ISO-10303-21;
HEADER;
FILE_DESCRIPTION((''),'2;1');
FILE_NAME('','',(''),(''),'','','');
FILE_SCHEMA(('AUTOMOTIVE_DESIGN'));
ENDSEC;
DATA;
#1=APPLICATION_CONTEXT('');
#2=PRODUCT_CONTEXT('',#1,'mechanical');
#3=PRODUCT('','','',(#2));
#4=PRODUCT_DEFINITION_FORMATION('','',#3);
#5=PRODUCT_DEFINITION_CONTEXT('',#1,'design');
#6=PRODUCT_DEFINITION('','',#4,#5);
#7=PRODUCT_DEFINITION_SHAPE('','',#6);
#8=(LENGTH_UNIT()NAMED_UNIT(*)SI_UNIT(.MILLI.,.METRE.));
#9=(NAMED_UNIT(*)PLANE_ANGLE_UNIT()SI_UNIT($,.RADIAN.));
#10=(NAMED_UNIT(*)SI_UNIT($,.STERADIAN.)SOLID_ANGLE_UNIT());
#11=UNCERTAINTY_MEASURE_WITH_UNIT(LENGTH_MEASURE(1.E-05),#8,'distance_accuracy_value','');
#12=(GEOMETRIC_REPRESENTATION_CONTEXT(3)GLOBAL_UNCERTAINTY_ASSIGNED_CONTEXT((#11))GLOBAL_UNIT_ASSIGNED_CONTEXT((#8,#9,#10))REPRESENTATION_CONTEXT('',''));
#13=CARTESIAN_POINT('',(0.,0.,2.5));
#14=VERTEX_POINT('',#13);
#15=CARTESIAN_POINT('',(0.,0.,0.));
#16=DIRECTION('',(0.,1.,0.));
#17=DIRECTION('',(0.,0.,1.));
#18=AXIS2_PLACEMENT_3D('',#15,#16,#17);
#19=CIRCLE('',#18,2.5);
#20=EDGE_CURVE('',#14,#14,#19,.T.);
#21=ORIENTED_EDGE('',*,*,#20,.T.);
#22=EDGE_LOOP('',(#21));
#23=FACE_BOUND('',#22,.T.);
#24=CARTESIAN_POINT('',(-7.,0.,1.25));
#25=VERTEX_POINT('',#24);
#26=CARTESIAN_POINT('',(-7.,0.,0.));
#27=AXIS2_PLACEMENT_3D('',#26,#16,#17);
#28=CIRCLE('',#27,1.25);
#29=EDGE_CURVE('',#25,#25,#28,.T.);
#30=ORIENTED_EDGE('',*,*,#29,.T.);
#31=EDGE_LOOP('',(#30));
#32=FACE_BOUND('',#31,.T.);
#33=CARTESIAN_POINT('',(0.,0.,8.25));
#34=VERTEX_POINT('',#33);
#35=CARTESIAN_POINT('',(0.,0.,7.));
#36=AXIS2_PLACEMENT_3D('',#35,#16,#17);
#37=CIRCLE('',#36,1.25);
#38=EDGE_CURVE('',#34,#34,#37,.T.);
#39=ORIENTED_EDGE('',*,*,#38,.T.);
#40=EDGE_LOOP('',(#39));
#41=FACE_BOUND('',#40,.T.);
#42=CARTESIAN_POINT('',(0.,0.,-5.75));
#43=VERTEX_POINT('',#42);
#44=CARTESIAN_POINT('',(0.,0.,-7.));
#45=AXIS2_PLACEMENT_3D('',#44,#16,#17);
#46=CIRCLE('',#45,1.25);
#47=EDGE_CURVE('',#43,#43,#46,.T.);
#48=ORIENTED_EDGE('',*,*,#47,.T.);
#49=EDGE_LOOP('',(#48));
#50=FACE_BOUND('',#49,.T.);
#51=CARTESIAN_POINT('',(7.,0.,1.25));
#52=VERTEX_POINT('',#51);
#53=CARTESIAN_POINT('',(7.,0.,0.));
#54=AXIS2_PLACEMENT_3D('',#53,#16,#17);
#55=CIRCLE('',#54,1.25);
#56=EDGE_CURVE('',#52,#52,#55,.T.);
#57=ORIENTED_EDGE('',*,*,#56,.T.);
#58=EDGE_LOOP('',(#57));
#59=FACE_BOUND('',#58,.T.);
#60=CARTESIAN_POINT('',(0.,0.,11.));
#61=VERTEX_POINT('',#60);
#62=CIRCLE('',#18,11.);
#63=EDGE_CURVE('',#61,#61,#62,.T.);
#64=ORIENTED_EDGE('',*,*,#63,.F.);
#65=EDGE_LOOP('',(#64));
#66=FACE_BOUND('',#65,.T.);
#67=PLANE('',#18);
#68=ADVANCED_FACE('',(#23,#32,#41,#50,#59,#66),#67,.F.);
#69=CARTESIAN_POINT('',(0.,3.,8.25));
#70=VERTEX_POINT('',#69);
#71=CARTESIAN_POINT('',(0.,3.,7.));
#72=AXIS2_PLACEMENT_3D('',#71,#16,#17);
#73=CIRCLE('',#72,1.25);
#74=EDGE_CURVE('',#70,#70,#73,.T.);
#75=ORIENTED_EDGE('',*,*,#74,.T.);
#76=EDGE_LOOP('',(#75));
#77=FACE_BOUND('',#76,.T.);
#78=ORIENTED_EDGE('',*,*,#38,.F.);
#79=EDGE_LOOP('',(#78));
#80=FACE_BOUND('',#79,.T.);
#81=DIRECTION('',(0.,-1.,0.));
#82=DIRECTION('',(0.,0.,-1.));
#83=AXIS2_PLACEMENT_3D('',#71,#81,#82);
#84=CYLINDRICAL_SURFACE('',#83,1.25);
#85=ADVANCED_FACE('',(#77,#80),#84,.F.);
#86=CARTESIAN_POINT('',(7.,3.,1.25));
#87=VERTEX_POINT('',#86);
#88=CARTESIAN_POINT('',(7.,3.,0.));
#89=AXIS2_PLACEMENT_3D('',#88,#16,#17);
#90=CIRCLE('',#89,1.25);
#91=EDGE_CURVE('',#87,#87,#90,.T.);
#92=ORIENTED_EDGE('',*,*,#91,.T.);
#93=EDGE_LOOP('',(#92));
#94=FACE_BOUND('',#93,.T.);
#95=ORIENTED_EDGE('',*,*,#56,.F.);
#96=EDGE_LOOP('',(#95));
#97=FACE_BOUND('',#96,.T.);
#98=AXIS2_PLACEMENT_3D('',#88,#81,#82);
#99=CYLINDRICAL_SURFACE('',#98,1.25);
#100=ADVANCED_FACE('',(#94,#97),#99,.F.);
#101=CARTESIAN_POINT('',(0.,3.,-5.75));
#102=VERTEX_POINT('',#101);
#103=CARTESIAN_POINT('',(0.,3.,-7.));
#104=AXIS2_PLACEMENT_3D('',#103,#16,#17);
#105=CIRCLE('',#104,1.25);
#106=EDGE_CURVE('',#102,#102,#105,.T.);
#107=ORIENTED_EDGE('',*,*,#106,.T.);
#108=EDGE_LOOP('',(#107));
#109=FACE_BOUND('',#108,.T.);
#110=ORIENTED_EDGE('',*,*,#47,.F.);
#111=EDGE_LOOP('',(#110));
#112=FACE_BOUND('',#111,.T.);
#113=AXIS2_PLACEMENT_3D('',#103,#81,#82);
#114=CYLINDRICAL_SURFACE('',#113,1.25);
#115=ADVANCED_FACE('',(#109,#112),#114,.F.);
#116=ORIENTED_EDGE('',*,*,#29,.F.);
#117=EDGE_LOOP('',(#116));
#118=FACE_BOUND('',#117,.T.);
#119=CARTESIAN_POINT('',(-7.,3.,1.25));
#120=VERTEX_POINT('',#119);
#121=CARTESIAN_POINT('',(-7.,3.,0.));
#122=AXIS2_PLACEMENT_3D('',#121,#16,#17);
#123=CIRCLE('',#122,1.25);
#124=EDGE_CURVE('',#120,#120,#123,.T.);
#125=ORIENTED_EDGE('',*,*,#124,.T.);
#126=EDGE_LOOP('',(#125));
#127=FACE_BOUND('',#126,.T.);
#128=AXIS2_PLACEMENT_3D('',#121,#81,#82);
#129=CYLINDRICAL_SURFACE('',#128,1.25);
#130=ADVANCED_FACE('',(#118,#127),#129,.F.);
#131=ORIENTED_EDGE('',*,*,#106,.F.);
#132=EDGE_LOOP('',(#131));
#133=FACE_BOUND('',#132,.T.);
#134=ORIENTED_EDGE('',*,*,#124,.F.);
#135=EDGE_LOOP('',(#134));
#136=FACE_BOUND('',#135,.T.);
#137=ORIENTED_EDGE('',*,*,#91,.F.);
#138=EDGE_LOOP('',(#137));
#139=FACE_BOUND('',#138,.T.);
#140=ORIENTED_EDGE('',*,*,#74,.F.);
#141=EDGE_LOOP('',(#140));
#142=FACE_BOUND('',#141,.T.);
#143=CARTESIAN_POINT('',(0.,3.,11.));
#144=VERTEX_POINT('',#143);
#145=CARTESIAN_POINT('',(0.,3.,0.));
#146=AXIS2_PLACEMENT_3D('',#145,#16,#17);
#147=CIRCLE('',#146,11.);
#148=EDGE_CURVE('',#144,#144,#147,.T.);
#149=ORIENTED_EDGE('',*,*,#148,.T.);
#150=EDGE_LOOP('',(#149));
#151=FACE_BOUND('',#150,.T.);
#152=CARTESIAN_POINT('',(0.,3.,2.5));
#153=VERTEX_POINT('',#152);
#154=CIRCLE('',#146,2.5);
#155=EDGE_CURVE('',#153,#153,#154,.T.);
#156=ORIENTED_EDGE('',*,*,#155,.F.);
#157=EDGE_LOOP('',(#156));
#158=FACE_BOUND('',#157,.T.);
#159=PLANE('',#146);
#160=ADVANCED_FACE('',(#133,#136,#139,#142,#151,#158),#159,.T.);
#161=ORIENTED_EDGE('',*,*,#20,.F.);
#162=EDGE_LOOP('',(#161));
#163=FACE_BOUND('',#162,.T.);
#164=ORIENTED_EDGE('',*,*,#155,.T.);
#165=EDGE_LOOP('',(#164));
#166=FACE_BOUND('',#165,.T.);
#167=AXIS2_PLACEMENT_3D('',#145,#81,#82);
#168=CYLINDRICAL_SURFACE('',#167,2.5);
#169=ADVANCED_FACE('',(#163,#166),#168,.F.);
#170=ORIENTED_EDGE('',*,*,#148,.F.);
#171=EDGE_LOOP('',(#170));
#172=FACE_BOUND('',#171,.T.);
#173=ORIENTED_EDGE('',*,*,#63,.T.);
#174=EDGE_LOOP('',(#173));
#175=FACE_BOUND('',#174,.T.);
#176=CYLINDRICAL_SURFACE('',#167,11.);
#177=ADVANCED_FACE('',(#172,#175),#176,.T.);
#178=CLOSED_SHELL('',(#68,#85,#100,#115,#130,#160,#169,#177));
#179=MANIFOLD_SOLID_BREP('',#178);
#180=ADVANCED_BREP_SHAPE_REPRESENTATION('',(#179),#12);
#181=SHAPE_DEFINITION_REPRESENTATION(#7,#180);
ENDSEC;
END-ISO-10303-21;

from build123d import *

# Parameters (mm, degrees)
SKETCH1_R           = 11
SKETCH1_R_2         = 2.5
SKETCH1_R_3         = 1.25
BOSS_EXTRUDE1_DEPTH = 3


with BuildPart() as part:
    # Sketch1 → Boss-Extrude1 (new body)
    with BuildSketch(Plane(origin=(0, 0, 0), x_dir=(1, 0, 0), z_dir=(0, 1, 0))):
        with Locations(Location((0, 0, 0), (0, 0, 270))):
            Circle(SKETCH1_R)
        with Locations(Location((0, 0, 0), (0, 0, 270))):
            Circle(SKETCH1_R_2, mode=Mode.SUBTRACT)
        with Locations(Location((0, 7, 0), (0, 0, 270))):
            Circle(SKETCH1_R_3, mode=Mode.SUBTRACT)
        with Locations(Location((7, 0, 0), (0, 0, 270))):
            Circle(SKETCH1_R_3, mode=Mode.SUBTRACT)
        with Locations(Location((0, -7, 0), (0, 0, 270))):
            Circle(SKETCH1_R_3, mode=Mode.SUBTRACT)
        with Locations(Location((-7, 0, 0), (0, 0, 270))):
            Circle(SKETCH1_R_3, mode=Mode.SUBTRACT)
    extrude(amount=BOSS_EXTRUDE1_DEPTH)


solid = part.part
